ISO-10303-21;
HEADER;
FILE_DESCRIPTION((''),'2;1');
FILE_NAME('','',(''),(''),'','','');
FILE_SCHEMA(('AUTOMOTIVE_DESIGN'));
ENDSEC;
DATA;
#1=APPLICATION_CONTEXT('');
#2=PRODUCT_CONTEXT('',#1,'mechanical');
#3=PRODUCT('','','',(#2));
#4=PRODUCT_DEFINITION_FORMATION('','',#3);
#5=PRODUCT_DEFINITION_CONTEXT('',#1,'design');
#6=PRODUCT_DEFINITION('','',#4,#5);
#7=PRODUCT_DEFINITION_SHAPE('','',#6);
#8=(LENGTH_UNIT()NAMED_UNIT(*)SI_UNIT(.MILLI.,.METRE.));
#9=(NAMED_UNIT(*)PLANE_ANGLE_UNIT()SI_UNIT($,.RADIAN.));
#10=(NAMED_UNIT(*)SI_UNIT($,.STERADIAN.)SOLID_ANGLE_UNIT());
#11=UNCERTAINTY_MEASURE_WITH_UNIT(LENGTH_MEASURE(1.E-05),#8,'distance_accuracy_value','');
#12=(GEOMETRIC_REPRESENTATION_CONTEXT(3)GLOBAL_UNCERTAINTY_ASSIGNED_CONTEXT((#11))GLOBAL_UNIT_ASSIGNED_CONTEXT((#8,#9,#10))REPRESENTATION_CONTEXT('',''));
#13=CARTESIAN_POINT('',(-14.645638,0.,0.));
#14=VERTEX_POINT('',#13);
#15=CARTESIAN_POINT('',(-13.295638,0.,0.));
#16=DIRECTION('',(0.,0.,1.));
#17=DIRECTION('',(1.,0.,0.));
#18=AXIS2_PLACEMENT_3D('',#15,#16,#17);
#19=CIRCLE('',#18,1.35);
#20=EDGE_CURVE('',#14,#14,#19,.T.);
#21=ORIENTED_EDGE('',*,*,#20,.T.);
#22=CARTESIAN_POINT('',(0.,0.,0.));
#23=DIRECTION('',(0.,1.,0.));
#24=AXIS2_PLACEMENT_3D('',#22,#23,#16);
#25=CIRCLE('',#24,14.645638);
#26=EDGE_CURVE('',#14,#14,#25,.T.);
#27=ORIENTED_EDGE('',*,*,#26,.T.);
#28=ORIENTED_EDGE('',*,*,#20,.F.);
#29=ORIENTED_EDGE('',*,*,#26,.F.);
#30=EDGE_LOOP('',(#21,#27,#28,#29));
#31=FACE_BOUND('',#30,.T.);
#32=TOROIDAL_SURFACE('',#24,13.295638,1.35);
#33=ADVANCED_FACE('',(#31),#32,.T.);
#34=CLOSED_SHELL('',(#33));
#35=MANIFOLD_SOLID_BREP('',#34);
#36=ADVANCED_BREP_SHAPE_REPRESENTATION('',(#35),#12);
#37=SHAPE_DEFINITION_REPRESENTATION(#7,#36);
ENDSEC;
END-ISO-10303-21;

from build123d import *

# Parameters (mm, degrees)
ESBO_O2_R = 1.35


with BuildPart() as part:
    # Varredura1: sweep along a path in Esboço1
    with BuildLine(Plane(origin=(0, 0, 0), x_dir=(1, 0, 0), z_dir=(0, 1, 0))) as varredura1_path:
        CenterArc((0, 0), 13.3, 0, 360)
    # Esboço2 → Varredura1 (sweep)
    with BuildSketch(Plane.XY):
        with Locations((-13.295637672, 0)):
            Circle(ESBO_O2_R)
    sweep(path=varredura1_path.line)


solid = part.part
